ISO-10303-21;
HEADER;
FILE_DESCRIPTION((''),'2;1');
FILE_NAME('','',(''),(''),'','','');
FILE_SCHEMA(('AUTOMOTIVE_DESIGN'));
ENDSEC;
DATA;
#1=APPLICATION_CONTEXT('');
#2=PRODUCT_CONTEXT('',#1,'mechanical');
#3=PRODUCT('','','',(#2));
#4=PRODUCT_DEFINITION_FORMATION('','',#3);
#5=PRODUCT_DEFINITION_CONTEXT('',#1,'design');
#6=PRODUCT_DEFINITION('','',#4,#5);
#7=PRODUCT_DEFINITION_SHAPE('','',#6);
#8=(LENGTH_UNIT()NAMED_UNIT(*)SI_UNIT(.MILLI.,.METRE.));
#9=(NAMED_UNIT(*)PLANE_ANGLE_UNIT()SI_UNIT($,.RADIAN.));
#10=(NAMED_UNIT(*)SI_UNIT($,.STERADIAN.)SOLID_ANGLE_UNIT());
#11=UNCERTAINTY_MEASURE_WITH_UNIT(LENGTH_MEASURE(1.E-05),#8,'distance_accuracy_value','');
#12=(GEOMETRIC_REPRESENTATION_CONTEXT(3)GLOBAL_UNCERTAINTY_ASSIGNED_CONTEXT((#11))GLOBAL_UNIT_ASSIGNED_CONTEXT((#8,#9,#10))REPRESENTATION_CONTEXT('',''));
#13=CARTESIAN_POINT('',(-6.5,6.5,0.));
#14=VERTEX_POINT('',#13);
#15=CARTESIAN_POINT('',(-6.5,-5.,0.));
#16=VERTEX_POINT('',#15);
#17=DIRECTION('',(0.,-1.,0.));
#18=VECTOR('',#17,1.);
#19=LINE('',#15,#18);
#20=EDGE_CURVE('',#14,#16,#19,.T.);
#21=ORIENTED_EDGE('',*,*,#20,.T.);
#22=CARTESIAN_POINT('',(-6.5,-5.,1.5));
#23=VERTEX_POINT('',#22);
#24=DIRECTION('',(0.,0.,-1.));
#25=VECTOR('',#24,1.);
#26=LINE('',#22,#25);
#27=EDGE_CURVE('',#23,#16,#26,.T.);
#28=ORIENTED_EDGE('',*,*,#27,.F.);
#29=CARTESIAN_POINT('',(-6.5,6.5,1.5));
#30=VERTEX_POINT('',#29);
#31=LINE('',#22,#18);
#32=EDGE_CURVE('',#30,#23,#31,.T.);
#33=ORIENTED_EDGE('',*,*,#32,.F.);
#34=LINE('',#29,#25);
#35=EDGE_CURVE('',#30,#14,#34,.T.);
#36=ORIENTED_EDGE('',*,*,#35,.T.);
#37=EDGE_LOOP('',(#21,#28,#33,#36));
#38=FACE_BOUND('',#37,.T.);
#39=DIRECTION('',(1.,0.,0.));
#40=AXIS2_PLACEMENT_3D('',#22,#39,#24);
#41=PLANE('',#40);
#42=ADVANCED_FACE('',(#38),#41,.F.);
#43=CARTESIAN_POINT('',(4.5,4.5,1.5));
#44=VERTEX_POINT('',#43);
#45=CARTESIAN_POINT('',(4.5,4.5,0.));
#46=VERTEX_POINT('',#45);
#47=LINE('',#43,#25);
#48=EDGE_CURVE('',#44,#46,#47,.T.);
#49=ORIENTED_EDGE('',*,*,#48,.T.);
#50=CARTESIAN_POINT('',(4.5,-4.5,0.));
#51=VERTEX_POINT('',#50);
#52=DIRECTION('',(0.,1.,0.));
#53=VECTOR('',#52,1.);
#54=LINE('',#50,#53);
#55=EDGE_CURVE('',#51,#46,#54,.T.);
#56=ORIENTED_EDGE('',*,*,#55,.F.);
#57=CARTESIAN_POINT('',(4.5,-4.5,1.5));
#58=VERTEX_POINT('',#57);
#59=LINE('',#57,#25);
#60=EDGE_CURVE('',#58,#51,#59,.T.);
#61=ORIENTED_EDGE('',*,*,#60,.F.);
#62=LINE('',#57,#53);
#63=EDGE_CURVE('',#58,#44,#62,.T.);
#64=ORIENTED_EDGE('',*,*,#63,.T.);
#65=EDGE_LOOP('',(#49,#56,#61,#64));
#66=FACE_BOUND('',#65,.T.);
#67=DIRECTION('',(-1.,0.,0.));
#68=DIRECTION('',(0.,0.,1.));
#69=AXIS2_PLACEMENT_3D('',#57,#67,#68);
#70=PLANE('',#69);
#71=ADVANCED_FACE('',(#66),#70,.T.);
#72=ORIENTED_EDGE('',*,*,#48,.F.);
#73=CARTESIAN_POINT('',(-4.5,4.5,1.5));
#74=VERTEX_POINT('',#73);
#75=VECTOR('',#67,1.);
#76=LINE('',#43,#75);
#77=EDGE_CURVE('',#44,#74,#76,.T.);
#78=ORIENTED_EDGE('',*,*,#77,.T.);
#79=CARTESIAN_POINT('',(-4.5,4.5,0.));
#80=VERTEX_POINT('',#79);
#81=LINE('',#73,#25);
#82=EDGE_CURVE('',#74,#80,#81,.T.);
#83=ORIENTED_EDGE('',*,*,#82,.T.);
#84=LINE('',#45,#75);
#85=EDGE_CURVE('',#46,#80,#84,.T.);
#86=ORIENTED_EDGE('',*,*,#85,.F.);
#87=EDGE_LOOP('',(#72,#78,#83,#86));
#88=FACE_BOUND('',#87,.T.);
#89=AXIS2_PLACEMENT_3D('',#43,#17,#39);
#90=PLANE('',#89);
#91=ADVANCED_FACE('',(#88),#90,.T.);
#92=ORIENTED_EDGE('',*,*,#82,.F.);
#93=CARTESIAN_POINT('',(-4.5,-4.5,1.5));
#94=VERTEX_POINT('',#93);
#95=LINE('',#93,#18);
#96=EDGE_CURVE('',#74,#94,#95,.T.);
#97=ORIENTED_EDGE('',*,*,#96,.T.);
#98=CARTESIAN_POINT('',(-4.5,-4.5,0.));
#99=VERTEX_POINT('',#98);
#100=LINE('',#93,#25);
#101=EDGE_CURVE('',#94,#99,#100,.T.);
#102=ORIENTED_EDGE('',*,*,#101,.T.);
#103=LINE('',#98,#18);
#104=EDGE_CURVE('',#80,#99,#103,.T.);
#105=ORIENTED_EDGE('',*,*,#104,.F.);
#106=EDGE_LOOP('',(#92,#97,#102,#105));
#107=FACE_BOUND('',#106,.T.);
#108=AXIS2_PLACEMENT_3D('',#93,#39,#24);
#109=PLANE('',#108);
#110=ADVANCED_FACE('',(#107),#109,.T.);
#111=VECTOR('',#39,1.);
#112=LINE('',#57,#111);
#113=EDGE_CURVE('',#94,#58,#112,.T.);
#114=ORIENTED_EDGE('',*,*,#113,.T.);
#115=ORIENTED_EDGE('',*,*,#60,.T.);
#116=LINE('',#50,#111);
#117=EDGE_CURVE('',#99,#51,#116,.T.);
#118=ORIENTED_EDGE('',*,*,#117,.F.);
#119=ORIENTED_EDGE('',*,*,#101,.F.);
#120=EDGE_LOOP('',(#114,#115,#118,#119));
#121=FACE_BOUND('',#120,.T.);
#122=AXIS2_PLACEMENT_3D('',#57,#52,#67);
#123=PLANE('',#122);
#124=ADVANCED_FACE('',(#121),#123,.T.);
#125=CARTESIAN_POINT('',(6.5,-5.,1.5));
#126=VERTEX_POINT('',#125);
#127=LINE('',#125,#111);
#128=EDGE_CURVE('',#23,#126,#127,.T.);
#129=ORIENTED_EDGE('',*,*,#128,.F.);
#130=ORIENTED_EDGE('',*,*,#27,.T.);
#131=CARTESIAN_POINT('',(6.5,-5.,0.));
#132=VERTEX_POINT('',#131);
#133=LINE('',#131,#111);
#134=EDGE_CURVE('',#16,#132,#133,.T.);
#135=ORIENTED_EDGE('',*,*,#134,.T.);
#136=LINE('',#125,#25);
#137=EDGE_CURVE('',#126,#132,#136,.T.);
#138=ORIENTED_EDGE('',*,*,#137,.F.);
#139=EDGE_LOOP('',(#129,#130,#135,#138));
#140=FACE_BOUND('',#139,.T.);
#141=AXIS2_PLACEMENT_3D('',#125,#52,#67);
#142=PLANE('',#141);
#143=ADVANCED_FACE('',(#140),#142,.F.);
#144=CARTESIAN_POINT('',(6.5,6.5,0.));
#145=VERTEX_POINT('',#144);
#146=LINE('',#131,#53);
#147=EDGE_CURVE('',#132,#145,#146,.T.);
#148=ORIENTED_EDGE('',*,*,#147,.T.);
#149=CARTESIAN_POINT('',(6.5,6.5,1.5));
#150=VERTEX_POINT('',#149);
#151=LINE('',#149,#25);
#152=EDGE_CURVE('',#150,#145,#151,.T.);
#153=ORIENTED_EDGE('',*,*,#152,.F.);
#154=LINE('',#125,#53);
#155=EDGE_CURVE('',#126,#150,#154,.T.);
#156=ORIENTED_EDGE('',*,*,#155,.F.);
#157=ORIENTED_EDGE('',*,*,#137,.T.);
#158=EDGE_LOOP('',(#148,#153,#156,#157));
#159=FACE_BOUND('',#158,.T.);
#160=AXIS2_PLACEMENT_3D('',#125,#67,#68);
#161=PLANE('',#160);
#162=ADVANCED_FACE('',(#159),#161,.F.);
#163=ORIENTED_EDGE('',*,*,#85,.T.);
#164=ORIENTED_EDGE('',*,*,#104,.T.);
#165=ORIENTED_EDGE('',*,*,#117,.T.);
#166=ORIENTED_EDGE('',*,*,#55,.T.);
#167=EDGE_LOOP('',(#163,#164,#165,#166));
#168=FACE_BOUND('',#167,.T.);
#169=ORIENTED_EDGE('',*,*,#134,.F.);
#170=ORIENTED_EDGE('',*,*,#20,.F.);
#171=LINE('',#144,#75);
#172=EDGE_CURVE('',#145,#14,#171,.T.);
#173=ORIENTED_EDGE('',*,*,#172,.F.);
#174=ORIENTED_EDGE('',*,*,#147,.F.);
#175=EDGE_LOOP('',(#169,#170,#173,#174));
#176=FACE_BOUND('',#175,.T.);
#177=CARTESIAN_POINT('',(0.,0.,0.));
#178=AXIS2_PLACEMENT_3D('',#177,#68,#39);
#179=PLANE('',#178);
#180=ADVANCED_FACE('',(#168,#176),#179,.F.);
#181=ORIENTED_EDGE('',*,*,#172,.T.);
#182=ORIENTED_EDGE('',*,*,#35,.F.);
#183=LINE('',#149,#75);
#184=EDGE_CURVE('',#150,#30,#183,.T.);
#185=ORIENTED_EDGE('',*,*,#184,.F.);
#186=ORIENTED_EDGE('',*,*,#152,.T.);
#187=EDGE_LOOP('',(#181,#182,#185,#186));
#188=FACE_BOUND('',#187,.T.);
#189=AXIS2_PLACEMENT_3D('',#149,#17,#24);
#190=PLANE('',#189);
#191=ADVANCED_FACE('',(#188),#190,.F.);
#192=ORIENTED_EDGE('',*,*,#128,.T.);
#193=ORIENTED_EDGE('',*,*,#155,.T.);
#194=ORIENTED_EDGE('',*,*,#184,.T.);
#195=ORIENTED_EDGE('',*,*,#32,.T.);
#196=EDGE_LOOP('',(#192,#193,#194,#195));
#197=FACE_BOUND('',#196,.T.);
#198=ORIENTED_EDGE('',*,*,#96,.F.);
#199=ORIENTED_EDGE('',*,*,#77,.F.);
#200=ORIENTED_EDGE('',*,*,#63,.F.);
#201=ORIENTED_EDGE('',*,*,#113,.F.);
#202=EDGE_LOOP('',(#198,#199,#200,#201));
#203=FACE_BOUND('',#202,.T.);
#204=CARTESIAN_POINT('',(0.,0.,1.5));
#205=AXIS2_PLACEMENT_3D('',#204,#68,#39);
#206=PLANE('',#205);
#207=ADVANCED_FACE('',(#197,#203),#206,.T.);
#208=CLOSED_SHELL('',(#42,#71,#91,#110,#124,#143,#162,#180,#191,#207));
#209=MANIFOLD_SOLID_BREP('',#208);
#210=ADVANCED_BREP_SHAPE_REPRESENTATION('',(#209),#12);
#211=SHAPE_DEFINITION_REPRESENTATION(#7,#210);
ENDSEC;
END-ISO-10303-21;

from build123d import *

# Parameters (mm, degrees)
SKETCH1_W           = 13
SKETCH1_H           = 11.5
SKETCH1_W_2         = 9
SKETCH1_H_2         = 9
BOSS_EXTRUDE1_DEPTH = 1.5


with BuildPart() as part:
    # Sketch1 → Boss-Extrude1 (new body)
    with BuildSketch(Plane.XY):
        with Locations((0, 0.75)):
            Rectangle(SKETCH1_W, SKETCH1_H)
        Rectangle(SKETCH1_W_2, SKETCH1_H_2, mode=Mode.SUBTRACT)
    extrude(amount=BOSS_EXTRUDE1_DEPTH)


solid = part.part
